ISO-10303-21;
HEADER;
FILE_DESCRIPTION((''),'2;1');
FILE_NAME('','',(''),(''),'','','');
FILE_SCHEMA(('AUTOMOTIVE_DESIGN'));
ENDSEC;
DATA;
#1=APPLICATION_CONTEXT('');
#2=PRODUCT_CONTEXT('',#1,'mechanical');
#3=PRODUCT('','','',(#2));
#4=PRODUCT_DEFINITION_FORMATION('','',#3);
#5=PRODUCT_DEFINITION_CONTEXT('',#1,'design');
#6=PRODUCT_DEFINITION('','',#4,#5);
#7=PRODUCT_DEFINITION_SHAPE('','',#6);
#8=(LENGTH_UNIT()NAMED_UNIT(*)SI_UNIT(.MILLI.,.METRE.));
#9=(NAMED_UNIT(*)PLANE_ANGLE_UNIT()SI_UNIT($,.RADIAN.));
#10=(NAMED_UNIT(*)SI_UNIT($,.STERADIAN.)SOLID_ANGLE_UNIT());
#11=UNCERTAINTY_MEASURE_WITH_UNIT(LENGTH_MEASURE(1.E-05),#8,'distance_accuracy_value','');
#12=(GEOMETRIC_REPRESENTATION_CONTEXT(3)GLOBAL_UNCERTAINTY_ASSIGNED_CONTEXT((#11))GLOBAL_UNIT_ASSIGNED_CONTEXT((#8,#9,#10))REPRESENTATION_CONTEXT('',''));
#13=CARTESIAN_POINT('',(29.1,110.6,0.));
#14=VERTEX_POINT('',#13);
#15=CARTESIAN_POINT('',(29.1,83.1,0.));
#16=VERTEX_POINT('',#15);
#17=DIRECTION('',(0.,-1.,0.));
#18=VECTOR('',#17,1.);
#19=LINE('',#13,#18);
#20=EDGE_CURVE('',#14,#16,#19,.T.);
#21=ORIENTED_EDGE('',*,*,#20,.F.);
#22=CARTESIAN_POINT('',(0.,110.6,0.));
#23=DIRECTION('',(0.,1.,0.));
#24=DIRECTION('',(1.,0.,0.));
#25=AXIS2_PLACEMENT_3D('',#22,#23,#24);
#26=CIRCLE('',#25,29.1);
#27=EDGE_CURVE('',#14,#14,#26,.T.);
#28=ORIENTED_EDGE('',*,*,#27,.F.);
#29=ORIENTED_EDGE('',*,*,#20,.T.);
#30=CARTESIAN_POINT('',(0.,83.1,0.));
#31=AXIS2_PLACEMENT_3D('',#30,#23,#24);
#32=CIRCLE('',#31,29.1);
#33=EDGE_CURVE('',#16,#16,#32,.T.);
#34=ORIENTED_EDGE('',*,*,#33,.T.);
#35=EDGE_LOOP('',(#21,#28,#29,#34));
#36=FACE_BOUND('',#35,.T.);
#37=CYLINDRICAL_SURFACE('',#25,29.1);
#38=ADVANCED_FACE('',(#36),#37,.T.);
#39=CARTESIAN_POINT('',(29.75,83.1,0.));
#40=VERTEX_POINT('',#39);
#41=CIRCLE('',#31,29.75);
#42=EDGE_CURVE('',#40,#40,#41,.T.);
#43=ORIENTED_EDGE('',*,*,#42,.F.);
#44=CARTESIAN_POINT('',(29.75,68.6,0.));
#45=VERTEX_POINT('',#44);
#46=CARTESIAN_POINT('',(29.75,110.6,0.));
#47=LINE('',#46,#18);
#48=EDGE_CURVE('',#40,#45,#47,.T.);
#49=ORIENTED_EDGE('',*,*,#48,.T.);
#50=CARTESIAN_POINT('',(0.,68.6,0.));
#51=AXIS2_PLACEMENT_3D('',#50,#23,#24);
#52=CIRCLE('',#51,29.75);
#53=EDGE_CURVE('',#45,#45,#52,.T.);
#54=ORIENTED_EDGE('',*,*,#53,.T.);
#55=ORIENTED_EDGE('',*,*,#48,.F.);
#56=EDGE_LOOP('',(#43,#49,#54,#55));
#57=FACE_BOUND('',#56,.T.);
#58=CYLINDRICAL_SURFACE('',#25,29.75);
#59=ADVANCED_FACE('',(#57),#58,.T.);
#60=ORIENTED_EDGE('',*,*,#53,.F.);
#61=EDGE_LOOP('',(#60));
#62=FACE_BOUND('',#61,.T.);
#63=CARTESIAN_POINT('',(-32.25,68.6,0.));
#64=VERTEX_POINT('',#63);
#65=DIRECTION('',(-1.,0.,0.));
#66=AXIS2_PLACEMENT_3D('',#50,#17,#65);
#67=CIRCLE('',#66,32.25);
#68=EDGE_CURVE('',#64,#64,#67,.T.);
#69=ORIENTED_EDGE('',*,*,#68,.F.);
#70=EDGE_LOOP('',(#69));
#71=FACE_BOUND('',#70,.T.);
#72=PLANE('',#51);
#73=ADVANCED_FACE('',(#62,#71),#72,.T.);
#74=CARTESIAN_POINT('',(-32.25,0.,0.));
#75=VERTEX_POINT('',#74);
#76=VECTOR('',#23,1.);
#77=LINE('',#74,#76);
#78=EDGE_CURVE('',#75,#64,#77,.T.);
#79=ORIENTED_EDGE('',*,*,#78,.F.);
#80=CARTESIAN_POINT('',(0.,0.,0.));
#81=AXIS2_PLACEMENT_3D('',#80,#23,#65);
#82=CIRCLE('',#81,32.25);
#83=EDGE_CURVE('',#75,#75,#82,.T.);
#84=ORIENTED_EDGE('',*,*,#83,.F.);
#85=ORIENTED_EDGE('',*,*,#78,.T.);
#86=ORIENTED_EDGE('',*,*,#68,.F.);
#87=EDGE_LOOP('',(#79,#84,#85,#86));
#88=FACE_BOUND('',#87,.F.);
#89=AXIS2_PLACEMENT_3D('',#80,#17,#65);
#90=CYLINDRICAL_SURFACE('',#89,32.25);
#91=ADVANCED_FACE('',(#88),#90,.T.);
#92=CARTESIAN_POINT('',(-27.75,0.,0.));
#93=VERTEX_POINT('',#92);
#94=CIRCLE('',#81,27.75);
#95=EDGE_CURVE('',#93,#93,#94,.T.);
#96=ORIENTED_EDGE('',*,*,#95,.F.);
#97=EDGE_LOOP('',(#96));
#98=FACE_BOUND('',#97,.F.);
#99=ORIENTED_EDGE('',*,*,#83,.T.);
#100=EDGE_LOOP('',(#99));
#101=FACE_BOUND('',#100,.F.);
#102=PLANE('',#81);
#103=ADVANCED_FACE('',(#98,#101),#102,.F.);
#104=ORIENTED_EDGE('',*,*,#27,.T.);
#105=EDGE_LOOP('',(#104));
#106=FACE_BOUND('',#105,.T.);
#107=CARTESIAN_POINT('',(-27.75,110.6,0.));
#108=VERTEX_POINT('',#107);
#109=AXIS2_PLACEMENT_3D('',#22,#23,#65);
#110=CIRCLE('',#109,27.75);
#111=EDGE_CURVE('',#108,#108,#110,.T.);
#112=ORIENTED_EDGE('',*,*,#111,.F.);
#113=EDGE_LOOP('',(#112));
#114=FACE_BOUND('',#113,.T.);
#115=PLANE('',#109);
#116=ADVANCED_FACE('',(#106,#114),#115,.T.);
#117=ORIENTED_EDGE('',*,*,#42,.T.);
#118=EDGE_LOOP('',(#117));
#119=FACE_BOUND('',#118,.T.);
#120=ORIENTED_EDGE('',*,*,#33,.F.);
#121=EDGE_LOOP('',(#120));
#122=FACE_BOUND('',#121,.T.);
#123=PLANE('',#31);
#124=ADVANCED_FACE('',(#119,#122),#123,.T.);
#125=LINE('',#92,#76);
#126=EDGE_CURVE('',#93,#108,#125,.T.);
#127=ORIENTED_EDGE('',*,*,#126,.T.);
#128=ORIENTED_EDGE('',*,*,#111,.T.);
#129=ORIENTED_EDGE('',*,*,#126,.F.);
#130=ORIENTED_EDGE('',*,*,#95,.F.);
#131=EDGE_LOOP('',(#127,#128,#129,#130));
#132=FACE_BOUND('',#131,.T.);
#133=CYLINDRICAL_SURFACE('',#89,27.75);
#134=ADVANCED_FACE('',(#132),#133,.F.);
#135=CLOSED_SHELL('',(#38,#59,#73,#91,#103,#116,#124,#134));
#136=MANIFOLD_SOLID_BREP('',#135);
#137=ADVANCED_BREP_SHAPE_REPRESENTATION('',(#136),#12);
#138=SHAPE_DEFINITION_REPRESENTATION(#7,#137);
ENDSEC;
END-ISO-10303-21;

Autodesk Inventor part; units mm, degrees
sketch "Sketch1" plane through (0, 0, 0) normal (0, 1, 0) x (-1, 0, 0)
  circle A0 centre (0, 0) radius 27.75
  circle A1 centre (0, 0) radius 32.25
  dimension "d0" = 55.5
  dimension "d1" = 64.5
extrude "Extrusion1" add sketch "Sketch1" along normal blind 110.6
ref_plane "Work Plane1" through (0, 7.749, 0) normal (0, 1, 0) x (-1, 0, 0)
ref_plane "Work Plane2" through (0, 16.1, 0) normal (0, 1, 0) x (-1, 0, 0)
ref_plane "Work Plane3" through (0, 113.3, 0) normal (0, 1, 0) x (-1, 0, 0)
sketch "Sketch17" plane through (0, 110.6, 0) normal (0, 1, 0) x (1, 0, 0)
  circle A0 centre (0, 0) radius 29.75
  circle A1 centre (0, 0) radius 32.25
  dimension "d109" = 59.5
extrude "Extrusion8" cut sketch "Sketch17" against normal blind 42
thread "Thread7" size "M60x5.5" class "6g" standard "ANSI Metric M Profile" full length
sketch "Sketch18" plane through (0, 110.6, 0) normal (0, 1, 0) x (1, 0, 0)
  circle A0 centre (0, 0) radius 32.1723
  circle A1 centre (0, 0) radius 29.1
  dimension "d114" = 58.2
extrude "Extrusion9" cut sketch "Sketch18" against normal blind 27.5
properties part number "Vacuum Cylinder"
